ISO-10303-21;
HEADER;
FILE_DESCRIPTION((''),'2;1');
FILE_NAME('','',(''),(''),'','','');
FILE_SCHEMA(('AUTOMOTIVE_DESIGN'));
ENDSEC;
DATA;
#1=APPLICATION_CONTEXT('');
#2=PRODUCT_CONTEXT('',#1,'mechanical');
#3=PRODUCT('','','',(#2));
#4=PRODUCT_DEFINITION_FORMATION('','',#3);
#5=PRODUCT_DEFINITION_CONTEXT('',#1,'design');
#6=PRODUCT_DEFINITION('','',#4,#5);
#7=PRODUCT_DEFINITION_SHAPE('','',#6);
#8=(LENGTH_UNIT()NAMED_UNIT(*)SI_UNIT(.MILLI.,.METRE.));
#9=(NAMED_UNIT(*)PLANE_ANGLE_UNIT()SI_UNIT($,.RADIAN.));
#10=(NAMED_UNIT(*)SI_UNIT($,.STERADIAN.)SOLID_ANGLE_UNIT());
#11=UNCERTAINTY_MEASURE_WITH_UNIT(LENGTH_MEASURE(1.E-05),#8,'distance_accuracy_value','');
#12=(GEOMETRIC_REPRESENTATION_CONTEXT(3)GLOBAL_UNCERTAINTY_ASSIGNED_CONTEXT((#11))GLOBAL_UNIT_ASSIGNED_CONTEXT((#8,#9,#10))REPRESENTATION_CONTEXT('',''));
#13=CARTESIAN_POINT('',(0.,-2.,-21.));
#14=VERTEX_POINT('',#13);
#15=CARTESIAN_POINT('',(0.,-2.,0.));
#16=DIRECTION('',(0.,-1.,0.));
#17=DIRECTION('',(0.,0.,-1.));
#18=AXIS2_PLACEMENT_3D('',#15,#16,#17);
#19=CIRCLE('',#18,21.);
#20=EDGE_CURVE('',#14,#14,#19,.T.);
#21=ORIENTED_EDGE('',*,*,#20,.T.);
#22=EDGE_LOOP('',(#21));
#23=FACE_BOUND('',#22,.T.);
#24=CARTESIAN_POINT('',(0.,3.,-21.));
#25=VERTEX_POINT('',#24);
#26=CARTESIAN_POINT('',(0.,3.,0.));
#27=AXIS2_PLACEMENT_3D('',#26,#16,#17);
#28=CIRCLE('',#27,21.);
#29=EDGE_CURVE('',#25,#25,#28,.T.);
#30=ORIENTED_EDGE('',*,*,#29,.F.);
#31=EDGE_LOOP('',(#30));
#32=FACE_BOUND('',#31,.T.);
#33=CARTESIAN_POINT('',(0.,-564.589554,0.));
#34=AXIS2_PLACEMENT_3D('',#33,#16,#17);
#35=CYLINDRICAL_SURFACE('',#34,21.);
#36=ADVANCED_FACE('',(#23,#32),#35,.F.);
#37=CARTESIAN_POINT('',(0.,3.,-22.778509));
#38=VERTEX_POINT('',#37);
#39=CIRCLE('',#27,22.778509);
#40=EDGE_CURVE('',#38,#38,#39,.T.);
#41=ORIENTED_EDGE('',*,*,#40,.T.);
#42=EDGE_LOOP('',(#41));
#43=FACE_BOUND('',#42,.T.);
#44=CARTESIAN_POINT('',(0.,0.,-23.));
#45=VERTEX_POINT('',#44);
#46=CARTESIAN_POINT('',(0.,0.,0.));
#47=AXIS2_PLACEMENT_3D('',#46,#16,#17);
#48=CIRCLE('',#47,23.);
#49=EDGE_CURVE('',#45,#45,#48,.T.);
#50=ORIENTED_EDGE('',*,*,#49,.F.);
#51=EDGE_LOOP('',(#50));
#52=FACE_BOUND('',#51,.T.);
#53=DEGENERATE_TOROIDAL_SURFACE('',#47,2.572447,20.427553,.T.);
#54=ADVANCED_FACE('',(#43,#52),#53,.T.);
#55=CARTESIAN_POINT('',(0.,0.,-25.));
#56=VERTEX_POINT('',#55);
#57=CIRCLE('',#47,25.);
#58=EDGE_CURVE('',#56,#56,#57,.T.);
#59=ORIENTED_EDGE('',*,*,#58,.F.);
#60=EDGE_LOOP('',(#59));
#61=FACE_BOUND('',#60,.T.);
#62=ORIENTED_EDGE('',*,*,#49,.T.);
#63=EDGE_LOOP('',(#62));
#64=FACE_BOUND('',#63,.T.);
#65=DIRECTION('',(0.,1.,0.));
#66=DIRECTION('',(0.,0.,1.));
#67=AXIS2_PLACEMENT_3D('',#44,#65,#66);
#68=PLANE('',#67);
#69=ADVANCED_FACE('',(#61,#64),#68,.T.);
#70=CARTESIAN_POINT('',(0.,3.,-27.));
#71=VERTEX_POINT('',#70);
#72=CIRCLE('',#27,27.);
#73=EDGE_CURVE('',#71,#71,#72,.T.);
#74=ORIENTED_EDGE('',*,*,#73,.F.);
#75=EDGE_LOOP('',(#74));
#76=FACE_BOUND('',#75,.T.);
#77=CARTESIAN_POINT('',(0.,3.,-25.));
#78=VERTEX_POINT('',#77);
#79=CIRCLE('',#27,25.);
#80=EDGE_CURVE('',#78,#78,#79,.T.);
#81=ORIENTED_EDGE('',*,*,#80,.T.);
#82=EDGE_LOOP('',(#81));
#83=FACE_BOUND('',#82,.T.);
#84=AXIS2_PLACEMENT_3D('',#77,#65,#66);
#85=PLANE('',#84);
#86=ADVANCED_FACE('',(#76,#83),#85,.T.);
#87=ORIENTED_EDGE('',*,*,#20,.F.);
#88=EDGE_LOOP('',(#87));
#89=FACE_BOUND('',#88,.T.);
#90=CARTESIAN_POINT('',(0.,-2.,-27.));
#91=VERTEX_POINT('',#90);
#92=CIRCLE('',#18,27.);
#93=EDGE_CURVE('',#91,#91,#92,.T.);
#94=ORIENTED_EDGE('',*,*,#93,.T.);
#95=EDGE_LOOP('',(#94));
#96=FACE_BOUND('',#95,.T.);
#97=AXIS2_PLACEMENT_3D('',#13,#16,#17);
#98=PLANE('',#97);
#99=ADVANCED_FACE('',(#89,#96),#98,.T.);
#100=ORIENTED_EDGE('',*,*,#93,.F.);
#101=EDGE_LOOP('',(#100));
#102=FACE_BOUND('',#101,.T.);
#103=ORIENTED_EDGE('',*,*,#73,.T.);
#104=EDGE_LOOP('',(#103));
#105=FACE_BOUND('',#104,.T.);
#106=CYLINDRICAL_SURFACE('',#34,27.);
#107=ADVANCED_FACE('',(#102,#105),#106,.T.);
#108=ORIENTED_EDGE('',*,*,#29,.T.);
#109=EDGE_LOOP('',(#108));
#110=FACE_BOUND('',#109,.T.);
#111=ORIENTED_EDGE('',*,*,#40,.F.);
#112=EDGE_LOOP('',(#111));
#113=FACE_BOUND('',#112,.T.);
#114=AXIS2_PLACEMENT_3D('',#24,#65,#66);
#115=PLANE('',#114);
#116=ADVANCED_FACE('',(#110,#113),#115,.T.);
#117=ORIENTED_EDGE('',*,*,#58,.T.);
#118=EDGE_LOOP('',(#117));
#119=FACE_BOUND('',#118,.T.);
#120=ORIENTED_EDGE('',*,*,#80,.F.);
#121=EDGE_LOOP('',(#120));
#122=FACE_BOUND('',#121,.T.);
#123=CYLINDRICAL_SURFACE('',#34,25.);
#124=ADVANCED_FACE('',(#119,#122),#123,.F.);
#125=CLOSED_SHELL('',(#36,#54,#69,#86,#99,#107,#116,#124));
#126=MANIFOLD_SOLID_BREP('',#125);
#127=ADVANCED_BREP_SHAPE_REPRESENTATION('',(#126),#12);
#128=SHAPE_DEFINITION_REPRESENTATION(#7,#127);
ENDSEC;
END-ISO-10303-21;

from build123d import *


with BuildPart() as part:
    # Sketch1 → Revolve1 (revolve)
    with BuildSketch(Plane(origin=(0, 0, 0), x_dir=(0, 0, -1), z_dir=(1, 0, 0))):
        with BuildLine():
            Line((25, 3), (27, 3))
            Line((27, 3), (27, -2))
            Line((27, -2), (21, -2))
            Line((21, -2), (21, 3))
            Line((21, 3), (22.778508502, 3))
            ThreePointArc((22.778508502, 3), (22.944551872, 1.504082651), (23, 0))
            Line((23, 0), (25, 0))
            Line((25, 0), (25, 3))
        make_face()
    revolve(axis=Axis((0, -564.58955378, 0), (0, 1, 0)))


solid = part.part
